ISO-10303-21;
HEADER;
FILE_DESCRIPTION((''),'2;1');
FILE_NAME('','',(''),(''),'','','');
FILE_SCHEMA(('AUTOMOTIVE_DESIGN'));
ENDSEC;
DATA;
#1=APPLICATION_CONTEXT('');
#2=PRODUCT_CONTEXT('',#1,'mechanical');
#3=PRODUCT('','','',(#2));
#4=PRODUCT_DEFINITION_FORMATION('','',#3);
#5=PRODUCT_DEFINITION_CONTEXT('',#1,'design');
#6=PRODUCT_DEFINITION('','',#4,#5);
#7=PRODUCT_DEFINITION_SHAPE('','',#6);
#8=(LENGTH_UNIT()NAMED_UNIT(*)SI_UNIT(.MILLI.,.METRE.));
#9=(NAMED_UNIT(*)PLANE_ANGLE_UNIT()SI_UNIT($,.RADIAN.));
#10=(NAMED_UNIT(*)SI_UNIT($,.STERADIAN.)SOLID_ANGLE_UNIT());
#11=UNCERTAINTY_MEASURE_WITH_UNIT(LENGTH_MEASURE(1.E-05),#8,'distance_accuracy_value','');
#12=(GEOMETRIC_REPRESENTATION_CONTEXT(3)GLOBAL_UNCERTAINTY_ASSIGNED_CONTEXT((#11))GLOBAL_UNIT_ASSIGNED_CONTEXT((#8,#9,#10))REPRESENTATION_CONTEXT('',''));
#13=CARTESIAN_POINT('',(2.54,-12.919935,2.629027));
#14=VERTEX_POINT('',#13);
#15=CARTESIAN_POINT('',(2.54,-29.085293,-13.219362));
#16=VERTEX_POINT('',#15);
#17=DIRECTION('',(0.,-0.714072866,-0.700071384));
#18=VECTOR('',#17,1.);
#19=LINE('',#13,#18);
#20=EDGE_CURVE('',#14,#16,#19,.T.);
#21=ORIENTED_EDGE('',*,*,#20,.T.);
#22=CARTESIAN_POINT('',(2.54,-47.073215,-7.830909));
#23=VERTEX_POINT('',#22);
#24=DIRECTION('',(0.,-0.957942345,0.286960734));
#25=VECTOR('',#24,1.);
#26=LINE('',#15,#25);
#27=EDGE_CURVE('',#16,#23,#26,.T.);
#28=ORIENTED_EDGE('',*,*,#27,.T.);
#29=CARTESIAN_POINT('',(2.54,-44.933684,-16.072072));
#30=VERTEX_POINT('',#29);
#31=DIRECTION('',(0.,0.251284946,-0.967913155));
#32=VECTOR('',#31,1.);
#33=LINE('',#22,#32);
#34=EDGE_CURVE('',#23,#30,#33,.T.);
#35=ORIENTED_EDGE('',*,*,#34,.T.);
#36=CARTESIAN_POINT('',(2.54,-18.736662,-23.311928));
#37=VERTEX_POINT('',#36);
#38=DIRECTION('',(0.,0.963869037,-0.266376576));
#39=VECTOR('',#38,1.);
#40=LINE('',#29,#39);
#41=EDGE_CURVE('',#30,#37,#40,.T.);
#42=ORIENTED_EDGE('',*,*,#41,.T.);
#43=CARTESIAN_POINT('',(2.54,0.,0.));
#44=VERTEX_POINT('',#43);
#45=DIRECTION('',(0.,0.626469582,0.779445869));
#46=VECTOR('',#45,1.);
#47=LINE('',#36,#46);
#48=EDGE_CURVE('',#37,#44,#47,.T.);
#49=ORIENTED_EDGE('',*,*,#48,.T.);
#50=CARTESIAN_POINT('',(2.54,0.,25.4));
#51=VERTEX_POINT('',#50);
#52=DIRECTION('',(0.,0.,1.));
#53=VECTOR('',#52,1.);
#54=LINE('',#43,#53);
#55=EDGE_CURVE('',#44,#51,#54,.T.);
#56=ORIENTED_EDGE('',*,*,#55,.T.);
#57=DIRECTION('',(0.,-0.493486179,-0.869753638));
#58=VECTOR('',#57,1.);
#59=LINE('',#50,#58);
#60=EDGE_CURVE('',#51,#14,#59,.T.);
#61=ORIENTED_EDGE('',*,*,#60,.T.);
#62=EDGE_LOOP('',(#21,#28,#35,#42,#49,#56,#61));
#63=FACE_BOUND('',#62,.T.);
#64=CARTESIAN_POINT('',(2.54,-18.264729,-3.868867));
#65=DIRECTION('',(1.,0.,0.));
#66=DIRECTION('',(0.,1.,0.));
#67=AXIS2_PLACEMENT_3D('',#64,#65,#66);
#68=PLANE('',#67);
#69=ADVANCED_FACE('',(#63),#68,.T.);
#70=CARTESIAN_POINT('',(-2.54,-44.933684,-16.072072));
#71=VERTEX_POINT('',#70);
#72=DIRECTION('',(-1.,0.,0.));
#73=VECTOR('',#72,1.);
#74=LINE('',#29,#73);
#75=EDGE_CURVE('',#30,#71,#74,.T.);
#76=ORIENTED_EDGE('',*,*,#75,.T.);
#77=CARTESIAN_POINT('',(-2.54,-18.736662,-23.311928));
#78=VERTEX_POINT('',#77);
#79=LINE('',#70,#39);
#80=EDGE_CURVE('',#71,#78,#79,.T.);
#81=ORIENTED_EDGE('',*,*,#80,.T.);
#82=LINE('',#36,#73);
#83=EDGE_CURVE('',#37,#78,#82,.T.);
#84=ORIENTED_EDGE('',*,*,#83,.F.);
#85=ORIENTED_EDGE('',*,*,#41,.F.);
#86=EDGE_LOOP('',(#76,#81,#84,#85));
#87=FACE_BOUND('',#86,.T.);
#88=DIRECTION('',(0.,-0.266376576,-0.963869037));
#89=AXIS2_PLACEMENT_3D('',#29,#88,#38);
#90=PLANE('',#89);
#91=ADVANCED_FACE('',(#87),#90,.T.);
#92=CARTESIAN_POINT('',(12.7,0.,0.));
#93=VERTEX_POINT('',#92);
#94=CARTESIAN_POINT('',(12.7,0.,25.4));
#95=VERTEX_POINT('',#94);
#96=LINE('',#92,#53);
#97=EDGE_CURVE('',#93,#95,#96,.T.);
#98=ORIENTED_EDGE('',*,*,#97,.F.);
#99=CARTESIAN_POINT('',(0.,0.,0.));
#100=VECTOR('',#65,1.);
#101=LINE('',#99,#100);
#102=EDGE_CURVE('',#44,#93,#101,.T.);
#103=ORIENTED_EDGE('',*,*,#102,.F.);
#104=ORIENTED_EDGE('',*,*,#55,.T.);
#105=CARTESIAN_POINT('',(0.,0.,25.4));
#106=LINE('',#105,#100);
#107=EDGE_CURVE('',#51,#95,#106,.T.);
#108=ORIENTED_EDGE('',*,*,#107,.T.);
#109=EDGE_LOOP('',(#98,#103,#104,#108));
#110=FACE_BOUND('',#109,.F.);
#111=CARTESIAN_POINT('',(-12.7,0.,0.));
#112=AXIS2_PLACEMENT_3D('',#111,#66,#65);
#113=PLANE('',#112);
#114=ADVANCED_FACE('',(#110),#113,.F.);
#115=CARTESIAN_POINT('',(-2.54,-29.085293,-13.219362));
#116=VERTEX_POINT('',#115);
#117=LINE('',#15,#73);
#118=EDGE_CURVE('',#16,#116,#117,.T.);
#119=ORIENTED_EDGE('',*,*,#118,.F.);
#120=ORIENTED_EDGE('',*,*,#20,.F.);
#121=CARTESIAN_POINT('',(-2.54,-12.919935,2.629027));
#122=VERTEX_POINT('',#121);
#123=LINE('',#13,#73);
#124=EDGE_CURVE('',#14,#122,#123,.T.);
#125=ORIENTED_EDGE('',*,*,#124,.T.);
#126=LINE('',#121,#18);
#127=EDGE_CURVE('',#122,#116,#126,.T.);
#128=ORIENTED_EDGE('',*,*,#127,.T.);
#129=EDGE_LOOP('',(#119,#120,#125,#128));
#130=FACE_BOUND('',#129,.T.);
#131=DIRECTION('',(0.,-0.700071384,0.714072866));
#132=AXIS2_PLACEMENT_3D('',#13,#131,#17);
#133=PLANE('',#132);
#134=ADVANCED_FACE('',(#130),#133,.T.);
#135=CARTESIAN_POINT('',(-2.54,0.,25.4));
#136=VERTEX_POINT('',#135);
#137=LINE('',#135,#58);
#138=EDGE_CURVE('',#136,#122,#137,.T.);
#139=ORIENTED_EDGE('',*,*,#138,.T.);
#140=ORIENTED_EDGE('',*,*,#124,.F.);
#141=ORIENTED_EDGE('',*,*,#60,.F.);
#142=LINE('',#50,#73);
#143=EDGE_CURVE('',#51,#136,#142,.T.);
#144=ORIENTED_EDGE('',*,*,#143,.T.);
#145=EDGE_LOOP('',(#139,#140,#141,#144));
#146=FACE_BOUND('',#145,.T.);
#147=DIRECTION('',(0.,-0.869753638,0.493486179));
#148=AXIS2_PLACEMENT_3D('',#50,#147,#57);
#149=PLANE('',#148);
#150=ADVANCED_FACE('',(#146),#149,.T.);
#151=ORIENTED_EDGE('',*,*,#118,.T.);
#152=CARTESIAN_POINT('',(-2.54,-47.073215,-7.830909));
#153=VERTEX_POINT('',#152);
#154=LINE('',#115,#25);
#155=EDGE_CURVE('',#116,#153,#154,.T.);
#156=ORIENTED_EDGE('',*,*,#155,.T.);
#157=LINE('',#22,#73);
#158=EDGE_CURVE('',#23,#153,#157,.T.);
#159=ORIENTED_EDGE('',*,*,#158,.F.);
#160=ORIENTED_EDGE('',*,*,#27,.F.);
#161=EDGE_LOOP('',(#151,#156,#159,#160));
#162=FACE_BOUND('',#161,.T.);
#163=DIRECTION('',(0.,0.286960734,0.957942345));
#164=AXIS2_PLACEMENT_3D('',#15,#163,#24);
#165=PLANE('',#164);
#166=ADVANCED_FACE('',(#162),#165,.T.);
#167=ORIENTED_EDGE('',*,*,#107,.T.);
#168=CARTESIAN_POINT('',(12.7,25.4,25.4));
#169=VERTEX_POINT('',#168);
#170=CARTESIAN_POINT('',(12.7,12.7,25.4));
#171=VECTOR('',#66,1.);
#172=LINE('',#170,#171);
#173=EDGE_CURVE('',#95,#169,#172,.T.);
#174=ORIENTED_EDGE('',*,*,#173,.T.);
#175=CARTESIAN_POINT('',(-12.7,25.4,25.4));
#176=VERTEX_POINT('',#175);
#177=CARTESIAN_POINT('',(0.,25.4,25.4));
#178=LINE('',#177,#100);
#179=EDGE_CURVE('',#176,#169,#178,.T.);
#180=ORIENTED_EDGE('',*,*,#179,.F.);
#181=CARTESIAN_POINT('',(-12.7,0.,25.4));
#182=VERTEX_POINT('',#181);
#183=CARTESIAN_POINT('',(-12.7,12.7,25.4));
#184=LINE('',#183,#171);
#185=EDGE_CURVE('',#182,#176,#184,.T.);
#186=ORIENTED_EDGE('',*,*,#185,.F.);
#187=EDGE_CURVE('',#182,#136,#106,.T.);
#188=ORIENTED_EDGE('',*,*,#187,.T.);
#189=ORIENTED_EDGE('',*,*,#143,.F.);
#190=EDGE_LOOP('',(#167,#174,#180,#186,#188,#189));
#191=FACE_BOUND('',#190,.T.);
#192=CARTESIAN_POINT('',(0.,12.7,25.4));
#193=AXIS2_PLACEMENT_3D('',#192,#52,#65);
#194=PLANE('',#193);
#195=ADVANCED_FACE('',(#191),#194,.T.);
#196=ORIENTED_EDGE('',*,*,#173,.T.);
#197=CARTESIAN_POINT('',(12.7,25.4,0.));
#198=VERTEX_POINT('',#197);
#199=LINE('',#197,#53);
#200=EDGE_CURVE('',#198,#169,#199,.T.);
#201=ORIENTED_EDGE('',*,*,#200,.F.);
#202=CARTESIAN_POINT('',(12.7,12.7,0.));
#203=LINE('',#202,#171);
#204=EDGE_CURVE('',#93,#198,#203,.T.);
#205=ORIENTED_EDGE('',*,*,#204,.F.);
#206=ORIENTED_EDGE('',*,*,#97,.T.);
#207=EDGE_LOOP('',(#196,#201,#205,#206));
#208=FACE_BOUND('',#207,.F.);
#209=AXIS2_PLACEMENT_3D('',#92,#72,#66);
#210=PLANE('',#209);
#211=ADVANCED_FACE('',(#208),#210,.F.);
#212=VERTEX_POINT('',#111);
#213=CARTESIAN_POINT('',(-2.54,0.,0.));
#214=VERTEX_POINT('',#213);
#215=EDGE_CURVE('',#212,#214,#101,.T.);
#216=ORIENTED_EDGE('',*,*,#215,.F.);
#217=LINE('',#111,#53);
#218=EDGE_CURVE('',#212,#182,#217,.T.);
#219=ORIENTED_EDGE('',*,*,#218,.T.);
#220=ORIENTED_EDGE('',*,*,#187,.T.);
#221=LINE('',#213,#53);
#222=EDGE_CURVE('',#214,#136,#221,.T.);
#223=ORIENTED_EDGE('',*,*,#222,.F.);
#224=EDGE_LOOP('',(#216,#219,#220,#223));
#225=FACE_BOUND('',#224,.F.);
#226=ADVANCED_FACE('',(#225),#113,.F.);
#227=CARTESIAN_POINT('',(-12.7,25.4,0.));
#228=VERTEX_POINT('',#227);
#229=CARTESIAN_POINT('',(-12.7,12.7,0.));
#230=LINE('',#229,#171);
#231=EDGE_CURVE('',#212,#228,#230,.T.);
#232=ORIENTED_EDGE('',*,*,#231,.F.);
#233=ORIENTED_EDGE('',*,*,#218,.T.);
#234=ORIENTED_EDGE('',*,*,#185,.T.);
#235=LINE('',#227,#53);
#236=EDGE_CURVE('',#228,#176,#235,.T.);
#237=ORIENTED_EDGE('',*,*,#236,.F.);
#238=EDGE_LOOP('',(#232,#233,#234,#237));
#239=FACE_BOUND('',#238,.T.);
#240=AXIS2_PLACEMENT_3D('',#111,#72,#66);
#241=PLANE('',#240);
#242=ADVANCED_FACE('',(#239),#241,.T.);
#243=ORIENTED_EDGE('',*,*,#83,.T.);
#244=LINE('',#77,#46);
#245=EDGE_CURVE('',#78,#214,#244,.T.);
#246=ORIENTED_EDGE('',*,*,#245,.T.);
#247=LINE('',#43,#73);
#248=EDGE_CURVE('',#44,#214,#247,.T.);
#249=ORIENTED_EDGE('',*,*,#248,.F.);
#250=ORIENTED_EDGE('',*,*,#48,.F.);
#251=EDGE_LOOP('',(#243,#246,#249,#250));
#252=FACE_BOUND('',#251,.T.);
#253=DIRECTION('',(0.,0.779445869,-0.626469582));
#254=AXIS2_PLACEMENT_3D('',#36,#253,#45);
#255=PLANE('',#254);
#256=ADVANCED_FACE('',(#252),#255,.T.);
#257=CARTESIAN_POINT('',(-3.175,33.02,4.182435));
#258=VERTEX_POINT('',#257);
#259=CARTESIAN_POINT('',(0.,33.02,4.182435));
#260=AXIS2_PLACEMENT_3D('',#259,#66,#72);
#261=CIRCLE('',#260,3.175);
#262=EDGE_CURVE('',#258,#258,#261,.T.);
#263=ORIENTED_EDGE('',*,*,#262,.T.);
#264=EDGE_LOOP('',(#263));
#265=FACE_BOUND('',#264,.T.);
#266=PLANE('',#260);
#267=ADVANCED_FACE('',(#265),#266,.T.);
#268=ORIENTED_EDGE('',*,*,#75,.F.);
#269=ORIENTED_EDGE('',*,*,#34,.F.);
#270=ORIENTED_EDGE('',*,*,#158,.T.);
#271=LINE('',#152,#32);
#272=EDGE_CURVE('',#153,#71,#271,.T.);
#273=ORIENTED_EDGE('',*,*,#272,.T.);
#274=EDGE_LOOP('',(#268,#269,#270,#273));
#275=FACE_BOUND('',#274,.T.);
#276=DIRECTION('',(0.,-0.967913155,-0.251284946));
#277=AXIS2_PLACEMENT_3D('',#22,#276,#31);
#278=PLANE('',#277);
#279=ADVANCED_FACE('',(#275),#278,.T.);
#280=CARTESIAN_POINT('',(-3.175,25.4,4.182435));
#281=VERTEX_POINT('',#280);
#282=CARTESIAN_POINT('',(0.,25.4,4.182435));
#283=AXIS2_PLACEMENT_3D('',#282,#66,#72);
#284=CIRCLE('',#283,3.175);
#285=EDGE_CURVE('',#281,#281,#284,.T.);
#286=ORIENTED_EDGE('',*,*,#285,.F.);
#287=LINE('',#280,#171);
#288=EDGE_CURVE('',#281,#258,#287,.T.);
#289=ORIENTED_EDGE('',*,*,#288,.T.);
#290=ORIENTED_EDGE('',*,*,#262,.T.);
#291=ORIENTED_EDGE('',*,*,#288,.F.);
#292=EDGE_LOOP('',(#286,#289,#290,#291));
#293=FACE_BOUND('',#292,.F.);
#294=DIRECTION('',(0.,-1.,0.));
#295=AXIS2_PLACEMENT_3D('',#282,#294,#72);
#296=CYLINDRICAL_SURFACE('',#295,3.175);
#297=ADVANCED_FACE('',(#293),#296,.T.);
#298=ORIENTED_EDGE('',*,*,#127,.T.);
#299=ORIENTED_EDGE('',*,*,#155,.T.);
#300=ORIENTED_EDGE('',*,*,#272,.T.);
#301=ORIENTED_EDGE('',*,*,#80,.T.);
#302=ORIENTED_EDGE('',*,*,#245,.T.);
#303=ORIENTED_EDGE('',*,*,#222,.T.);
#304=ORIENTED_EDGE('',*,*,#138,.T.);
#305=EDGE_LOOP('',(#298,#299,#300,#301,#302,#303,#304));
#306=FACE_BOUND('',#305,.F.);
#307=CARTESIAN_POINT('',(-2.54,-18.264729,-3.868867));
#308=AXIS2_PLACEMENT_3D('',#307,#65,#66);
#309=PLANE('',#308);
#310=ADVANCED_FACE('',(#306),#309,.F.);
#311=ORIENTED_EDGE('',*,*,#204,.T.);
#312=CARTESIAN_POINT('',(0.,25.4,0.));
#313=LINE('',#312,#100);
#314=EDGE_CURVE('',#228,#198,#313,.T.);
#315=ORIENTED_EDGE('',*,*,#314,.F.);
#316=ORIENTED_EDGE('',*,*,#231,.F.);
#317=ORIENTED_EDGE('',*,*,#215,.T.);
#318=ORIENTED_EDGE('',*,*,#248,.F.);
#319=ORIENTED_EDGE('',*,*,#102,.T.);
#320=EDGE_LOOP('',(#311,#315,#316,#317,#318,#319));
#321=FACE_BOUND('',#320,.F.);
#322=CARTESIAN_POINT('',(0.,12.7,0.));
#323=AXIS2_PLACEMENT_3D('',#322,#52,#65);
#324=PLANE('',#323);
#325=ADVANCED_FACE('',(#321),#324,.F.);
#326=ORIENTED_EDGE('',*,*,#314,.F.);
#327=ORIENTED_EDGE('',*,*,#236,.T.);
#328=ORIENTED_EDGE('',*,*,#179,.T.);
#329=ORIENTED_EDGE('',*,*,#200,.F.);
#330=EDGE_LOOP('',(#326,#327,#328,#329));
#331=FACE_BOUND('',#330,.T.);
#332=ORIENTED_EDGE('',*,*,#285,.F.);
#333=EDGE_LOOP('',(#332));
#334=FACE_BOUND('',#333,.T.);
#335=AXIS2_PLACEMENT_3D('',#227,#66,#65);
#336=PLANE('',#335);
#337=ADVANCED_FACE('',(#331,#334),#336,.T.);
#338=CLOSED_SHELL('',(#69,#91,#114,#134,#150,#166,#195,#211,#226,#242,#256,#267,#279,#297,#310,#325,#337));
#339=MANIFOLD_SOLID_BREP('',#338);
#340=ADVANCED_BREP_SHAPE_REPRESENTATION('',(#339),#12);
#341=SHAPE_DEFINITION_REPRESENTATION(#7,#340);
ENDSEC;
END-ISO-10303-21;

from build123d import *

# Parameters (mm, degrees)
F0_W     = 25.4
F0_H     = 25.4
F1_DEPTH = 25.4
F4_DEPTH = 5.08
F5_R     = 3.175
F6_DEPTH = 7.62


with BuildPart() as f1:
    # F0 (on Top) → F1 (new body)
    with BuildSketch(Plane.XY):
        with Locations((0, 12.7)):
            Rectangle(F0_W, F0_H)
    extrude(amount=F1_DEPTH)

    # F3 (on offset) → F4 (join)
    with BuildSketch(Plane.YZ.offset(2.54)):
        Polygon((-18.736662, -23.311928), (0, 0), (0, 25.4), (-12.919935, 2.629027), (-29.085293, -13.219362), (-47.073215, -7.830909), (-44.933684, -16.072072), align=None)
    extrude(amount=-F4_DEPTH)

    # F5 (on face) → F6 (join)
    with BuildSketch(Plane(origin=(0, 25.4, 0), x_dir=(-1, 0, 0), z_dir=(0, 1, 0))):
        with Locations((0, 4.182435)):
            Circle(F5_R)
    extrude(amount=F6_DEPTH)


solid = f1.part
